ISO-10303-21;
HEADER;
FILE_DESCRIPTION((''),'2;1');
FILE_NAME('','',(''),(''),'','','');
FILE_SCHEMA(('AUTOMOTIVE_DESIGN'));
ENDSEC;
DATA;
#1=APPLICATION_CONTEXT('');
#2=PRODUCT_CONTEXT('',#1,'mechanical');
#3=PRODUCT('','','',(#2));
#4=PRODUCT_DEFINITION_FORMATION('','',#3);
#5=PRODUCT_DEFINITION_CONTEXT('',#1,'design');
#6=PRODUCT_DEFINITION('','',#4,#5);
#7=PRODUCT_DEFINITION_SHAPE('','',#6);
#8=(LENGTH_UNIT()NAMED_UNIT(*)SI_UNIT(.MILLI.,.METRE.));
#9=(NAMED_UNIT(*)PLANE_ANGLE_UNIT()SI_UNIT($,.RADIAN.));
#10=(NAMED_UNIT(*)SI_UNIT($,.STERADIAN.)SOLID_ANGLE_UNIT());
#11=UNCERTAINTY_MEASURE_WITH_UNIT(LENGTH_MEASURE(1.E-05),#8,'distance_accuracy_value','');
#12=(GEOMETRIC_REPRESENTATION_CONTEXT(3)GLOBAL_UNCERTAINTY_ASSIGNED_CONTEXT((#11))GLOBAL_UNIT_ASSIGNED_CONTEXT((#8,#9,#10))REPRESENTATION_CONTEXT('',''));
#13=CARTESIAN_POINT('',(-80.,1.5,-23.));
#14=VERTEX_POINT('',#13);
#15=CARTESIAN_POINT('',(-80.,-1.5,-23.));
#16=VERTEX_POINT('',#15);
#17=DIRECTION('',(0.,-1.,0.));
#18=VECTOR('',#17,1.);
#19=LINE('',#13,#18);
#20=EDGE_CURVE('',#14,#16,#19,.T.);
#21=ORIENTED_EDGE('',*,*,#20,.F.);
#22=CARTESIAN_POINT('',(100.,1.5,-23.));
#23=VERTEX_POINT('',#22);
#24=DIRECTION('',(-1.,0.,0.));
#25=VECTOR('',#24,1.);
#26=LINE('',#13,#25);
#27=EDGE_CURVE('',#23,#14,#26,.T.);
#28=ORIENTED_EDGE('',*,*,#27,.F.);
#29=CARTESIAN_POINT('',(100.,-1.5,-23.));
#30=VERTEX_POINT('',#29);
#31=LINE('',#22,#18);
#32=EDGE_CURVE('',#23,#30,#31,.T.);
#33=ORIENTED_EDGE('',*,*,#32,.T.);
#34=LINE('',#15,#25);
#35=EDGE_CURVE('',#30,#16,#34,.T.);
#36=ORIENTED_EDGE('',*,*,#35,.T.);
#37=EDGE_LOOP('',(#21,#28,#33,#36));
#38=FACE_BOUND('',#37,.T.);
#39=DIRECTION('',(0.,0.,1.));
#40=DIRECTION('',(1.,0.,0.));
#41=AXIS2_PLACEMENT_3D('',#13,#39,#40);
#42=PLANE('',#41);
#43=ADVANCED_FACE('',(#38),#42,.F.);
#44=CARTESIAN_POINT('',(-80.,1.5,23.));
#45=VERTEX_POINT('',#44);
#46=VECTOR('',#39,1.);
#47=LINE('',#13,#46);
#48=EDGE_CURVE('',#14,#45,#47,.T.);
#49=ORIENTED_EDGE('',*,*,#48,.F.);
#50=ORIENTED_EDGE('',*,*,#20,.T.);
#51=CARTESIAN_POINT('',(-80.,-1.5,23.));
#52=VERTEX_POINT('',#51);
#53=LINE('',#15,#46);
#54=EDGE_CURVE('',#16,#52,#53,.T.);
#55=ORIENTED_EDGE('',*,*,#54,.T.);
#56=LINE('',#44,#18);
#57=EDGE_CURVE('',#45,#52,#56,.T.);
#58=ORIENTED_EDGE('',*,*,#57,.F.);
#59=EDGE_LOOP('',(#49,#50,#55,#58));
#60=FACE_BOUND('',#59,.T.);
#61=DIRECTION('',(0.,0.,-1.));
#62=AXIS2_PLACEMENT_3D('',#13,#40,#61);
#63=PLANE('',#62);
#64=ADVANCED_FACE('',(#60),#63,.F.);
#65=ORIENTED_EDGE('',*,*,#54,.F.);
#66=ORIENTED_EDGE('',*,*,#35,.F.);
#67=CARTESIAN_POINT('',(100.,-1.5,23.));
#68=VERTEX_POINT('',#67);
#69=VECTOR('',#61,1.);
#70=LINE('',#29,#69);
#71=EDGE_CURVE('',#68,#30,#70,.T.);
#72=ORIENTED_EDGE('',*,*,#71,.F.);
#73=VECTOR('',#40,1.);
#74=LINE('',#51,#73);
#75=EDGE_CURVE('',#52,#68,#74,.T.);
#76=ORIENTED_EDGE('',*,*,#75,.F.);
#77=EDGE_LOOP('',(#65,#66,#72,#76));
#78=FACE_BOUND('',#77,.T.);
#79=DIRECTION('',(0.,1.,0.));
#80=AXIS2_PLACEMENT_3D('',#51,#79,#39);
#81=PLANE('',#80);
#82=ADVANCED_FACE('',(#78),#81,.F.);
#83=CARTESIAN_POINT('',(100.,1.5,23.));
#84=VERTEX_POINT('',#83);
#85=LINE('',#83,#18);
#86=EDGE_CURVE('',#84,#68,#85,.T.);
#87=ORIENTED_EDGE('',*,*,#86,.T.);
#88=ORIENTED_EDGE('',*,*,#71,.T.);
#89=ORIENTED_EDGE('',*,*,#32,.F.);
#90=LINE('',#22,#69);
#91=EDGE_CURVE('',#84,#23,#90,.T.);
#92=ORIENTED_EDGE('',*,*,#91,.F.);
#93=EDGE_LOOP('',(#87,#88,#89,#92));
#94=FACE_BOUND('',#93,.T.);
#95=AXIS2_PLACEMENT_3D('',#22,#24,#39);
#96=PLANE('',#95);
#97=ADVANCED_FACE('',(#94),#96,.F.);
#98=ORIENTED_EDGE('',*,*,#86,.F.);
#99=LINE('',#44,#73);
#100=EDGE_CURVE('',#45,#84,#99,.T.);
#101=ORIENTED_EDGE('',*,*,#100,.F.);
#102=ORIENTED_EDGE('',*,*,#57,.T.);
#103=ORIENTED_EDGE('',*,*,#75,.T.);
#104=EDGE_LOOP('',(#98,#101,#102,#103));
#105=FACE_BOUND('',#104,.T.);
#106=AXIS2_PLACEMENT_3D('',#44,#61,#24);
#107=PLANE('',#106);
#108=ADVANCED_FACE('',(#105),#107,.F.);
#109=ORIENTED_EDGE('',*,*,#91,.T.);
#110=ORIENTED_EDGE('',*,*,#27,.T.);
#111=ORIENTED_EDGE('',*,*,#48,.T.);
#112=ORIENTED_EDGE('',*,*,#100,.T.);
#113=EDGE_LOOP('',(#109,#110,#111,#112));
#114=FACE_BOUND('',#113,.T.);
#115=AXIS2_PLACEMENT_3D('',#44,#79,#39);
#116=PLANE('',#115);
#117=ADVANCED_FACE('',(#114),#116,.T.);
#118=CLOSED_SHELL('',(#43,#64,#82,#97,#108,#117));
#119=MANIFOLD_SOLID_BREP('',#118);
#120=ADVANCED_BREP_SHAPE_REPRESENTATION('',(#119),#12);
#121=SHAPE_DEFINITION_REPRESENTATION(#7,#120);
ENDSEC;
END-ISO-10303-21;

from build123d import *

# Parameters (mm, degrees)
SKETCH_1_W      = 180
SKETCH_1_H      = 46
EXTRUDE_1_DEPTH = 1.5


with BuildPart() as part:
    # ｽｹｯﾁ1 → ﾎﾞｽ - 押し出し1 (new, symmetric)
    with BuildSketch(Plane(origin=(0, 0, 0), x_dir=(1, 0, 0), z_dir=(0, 1, 0))):
        with Locations((10, 0)):
            Rectangle(SKETCH_1_W, SKETCH_1_H)
    extrude(amount=EXTRUDE_1_DEPTH, both=True)


solid = part.part
